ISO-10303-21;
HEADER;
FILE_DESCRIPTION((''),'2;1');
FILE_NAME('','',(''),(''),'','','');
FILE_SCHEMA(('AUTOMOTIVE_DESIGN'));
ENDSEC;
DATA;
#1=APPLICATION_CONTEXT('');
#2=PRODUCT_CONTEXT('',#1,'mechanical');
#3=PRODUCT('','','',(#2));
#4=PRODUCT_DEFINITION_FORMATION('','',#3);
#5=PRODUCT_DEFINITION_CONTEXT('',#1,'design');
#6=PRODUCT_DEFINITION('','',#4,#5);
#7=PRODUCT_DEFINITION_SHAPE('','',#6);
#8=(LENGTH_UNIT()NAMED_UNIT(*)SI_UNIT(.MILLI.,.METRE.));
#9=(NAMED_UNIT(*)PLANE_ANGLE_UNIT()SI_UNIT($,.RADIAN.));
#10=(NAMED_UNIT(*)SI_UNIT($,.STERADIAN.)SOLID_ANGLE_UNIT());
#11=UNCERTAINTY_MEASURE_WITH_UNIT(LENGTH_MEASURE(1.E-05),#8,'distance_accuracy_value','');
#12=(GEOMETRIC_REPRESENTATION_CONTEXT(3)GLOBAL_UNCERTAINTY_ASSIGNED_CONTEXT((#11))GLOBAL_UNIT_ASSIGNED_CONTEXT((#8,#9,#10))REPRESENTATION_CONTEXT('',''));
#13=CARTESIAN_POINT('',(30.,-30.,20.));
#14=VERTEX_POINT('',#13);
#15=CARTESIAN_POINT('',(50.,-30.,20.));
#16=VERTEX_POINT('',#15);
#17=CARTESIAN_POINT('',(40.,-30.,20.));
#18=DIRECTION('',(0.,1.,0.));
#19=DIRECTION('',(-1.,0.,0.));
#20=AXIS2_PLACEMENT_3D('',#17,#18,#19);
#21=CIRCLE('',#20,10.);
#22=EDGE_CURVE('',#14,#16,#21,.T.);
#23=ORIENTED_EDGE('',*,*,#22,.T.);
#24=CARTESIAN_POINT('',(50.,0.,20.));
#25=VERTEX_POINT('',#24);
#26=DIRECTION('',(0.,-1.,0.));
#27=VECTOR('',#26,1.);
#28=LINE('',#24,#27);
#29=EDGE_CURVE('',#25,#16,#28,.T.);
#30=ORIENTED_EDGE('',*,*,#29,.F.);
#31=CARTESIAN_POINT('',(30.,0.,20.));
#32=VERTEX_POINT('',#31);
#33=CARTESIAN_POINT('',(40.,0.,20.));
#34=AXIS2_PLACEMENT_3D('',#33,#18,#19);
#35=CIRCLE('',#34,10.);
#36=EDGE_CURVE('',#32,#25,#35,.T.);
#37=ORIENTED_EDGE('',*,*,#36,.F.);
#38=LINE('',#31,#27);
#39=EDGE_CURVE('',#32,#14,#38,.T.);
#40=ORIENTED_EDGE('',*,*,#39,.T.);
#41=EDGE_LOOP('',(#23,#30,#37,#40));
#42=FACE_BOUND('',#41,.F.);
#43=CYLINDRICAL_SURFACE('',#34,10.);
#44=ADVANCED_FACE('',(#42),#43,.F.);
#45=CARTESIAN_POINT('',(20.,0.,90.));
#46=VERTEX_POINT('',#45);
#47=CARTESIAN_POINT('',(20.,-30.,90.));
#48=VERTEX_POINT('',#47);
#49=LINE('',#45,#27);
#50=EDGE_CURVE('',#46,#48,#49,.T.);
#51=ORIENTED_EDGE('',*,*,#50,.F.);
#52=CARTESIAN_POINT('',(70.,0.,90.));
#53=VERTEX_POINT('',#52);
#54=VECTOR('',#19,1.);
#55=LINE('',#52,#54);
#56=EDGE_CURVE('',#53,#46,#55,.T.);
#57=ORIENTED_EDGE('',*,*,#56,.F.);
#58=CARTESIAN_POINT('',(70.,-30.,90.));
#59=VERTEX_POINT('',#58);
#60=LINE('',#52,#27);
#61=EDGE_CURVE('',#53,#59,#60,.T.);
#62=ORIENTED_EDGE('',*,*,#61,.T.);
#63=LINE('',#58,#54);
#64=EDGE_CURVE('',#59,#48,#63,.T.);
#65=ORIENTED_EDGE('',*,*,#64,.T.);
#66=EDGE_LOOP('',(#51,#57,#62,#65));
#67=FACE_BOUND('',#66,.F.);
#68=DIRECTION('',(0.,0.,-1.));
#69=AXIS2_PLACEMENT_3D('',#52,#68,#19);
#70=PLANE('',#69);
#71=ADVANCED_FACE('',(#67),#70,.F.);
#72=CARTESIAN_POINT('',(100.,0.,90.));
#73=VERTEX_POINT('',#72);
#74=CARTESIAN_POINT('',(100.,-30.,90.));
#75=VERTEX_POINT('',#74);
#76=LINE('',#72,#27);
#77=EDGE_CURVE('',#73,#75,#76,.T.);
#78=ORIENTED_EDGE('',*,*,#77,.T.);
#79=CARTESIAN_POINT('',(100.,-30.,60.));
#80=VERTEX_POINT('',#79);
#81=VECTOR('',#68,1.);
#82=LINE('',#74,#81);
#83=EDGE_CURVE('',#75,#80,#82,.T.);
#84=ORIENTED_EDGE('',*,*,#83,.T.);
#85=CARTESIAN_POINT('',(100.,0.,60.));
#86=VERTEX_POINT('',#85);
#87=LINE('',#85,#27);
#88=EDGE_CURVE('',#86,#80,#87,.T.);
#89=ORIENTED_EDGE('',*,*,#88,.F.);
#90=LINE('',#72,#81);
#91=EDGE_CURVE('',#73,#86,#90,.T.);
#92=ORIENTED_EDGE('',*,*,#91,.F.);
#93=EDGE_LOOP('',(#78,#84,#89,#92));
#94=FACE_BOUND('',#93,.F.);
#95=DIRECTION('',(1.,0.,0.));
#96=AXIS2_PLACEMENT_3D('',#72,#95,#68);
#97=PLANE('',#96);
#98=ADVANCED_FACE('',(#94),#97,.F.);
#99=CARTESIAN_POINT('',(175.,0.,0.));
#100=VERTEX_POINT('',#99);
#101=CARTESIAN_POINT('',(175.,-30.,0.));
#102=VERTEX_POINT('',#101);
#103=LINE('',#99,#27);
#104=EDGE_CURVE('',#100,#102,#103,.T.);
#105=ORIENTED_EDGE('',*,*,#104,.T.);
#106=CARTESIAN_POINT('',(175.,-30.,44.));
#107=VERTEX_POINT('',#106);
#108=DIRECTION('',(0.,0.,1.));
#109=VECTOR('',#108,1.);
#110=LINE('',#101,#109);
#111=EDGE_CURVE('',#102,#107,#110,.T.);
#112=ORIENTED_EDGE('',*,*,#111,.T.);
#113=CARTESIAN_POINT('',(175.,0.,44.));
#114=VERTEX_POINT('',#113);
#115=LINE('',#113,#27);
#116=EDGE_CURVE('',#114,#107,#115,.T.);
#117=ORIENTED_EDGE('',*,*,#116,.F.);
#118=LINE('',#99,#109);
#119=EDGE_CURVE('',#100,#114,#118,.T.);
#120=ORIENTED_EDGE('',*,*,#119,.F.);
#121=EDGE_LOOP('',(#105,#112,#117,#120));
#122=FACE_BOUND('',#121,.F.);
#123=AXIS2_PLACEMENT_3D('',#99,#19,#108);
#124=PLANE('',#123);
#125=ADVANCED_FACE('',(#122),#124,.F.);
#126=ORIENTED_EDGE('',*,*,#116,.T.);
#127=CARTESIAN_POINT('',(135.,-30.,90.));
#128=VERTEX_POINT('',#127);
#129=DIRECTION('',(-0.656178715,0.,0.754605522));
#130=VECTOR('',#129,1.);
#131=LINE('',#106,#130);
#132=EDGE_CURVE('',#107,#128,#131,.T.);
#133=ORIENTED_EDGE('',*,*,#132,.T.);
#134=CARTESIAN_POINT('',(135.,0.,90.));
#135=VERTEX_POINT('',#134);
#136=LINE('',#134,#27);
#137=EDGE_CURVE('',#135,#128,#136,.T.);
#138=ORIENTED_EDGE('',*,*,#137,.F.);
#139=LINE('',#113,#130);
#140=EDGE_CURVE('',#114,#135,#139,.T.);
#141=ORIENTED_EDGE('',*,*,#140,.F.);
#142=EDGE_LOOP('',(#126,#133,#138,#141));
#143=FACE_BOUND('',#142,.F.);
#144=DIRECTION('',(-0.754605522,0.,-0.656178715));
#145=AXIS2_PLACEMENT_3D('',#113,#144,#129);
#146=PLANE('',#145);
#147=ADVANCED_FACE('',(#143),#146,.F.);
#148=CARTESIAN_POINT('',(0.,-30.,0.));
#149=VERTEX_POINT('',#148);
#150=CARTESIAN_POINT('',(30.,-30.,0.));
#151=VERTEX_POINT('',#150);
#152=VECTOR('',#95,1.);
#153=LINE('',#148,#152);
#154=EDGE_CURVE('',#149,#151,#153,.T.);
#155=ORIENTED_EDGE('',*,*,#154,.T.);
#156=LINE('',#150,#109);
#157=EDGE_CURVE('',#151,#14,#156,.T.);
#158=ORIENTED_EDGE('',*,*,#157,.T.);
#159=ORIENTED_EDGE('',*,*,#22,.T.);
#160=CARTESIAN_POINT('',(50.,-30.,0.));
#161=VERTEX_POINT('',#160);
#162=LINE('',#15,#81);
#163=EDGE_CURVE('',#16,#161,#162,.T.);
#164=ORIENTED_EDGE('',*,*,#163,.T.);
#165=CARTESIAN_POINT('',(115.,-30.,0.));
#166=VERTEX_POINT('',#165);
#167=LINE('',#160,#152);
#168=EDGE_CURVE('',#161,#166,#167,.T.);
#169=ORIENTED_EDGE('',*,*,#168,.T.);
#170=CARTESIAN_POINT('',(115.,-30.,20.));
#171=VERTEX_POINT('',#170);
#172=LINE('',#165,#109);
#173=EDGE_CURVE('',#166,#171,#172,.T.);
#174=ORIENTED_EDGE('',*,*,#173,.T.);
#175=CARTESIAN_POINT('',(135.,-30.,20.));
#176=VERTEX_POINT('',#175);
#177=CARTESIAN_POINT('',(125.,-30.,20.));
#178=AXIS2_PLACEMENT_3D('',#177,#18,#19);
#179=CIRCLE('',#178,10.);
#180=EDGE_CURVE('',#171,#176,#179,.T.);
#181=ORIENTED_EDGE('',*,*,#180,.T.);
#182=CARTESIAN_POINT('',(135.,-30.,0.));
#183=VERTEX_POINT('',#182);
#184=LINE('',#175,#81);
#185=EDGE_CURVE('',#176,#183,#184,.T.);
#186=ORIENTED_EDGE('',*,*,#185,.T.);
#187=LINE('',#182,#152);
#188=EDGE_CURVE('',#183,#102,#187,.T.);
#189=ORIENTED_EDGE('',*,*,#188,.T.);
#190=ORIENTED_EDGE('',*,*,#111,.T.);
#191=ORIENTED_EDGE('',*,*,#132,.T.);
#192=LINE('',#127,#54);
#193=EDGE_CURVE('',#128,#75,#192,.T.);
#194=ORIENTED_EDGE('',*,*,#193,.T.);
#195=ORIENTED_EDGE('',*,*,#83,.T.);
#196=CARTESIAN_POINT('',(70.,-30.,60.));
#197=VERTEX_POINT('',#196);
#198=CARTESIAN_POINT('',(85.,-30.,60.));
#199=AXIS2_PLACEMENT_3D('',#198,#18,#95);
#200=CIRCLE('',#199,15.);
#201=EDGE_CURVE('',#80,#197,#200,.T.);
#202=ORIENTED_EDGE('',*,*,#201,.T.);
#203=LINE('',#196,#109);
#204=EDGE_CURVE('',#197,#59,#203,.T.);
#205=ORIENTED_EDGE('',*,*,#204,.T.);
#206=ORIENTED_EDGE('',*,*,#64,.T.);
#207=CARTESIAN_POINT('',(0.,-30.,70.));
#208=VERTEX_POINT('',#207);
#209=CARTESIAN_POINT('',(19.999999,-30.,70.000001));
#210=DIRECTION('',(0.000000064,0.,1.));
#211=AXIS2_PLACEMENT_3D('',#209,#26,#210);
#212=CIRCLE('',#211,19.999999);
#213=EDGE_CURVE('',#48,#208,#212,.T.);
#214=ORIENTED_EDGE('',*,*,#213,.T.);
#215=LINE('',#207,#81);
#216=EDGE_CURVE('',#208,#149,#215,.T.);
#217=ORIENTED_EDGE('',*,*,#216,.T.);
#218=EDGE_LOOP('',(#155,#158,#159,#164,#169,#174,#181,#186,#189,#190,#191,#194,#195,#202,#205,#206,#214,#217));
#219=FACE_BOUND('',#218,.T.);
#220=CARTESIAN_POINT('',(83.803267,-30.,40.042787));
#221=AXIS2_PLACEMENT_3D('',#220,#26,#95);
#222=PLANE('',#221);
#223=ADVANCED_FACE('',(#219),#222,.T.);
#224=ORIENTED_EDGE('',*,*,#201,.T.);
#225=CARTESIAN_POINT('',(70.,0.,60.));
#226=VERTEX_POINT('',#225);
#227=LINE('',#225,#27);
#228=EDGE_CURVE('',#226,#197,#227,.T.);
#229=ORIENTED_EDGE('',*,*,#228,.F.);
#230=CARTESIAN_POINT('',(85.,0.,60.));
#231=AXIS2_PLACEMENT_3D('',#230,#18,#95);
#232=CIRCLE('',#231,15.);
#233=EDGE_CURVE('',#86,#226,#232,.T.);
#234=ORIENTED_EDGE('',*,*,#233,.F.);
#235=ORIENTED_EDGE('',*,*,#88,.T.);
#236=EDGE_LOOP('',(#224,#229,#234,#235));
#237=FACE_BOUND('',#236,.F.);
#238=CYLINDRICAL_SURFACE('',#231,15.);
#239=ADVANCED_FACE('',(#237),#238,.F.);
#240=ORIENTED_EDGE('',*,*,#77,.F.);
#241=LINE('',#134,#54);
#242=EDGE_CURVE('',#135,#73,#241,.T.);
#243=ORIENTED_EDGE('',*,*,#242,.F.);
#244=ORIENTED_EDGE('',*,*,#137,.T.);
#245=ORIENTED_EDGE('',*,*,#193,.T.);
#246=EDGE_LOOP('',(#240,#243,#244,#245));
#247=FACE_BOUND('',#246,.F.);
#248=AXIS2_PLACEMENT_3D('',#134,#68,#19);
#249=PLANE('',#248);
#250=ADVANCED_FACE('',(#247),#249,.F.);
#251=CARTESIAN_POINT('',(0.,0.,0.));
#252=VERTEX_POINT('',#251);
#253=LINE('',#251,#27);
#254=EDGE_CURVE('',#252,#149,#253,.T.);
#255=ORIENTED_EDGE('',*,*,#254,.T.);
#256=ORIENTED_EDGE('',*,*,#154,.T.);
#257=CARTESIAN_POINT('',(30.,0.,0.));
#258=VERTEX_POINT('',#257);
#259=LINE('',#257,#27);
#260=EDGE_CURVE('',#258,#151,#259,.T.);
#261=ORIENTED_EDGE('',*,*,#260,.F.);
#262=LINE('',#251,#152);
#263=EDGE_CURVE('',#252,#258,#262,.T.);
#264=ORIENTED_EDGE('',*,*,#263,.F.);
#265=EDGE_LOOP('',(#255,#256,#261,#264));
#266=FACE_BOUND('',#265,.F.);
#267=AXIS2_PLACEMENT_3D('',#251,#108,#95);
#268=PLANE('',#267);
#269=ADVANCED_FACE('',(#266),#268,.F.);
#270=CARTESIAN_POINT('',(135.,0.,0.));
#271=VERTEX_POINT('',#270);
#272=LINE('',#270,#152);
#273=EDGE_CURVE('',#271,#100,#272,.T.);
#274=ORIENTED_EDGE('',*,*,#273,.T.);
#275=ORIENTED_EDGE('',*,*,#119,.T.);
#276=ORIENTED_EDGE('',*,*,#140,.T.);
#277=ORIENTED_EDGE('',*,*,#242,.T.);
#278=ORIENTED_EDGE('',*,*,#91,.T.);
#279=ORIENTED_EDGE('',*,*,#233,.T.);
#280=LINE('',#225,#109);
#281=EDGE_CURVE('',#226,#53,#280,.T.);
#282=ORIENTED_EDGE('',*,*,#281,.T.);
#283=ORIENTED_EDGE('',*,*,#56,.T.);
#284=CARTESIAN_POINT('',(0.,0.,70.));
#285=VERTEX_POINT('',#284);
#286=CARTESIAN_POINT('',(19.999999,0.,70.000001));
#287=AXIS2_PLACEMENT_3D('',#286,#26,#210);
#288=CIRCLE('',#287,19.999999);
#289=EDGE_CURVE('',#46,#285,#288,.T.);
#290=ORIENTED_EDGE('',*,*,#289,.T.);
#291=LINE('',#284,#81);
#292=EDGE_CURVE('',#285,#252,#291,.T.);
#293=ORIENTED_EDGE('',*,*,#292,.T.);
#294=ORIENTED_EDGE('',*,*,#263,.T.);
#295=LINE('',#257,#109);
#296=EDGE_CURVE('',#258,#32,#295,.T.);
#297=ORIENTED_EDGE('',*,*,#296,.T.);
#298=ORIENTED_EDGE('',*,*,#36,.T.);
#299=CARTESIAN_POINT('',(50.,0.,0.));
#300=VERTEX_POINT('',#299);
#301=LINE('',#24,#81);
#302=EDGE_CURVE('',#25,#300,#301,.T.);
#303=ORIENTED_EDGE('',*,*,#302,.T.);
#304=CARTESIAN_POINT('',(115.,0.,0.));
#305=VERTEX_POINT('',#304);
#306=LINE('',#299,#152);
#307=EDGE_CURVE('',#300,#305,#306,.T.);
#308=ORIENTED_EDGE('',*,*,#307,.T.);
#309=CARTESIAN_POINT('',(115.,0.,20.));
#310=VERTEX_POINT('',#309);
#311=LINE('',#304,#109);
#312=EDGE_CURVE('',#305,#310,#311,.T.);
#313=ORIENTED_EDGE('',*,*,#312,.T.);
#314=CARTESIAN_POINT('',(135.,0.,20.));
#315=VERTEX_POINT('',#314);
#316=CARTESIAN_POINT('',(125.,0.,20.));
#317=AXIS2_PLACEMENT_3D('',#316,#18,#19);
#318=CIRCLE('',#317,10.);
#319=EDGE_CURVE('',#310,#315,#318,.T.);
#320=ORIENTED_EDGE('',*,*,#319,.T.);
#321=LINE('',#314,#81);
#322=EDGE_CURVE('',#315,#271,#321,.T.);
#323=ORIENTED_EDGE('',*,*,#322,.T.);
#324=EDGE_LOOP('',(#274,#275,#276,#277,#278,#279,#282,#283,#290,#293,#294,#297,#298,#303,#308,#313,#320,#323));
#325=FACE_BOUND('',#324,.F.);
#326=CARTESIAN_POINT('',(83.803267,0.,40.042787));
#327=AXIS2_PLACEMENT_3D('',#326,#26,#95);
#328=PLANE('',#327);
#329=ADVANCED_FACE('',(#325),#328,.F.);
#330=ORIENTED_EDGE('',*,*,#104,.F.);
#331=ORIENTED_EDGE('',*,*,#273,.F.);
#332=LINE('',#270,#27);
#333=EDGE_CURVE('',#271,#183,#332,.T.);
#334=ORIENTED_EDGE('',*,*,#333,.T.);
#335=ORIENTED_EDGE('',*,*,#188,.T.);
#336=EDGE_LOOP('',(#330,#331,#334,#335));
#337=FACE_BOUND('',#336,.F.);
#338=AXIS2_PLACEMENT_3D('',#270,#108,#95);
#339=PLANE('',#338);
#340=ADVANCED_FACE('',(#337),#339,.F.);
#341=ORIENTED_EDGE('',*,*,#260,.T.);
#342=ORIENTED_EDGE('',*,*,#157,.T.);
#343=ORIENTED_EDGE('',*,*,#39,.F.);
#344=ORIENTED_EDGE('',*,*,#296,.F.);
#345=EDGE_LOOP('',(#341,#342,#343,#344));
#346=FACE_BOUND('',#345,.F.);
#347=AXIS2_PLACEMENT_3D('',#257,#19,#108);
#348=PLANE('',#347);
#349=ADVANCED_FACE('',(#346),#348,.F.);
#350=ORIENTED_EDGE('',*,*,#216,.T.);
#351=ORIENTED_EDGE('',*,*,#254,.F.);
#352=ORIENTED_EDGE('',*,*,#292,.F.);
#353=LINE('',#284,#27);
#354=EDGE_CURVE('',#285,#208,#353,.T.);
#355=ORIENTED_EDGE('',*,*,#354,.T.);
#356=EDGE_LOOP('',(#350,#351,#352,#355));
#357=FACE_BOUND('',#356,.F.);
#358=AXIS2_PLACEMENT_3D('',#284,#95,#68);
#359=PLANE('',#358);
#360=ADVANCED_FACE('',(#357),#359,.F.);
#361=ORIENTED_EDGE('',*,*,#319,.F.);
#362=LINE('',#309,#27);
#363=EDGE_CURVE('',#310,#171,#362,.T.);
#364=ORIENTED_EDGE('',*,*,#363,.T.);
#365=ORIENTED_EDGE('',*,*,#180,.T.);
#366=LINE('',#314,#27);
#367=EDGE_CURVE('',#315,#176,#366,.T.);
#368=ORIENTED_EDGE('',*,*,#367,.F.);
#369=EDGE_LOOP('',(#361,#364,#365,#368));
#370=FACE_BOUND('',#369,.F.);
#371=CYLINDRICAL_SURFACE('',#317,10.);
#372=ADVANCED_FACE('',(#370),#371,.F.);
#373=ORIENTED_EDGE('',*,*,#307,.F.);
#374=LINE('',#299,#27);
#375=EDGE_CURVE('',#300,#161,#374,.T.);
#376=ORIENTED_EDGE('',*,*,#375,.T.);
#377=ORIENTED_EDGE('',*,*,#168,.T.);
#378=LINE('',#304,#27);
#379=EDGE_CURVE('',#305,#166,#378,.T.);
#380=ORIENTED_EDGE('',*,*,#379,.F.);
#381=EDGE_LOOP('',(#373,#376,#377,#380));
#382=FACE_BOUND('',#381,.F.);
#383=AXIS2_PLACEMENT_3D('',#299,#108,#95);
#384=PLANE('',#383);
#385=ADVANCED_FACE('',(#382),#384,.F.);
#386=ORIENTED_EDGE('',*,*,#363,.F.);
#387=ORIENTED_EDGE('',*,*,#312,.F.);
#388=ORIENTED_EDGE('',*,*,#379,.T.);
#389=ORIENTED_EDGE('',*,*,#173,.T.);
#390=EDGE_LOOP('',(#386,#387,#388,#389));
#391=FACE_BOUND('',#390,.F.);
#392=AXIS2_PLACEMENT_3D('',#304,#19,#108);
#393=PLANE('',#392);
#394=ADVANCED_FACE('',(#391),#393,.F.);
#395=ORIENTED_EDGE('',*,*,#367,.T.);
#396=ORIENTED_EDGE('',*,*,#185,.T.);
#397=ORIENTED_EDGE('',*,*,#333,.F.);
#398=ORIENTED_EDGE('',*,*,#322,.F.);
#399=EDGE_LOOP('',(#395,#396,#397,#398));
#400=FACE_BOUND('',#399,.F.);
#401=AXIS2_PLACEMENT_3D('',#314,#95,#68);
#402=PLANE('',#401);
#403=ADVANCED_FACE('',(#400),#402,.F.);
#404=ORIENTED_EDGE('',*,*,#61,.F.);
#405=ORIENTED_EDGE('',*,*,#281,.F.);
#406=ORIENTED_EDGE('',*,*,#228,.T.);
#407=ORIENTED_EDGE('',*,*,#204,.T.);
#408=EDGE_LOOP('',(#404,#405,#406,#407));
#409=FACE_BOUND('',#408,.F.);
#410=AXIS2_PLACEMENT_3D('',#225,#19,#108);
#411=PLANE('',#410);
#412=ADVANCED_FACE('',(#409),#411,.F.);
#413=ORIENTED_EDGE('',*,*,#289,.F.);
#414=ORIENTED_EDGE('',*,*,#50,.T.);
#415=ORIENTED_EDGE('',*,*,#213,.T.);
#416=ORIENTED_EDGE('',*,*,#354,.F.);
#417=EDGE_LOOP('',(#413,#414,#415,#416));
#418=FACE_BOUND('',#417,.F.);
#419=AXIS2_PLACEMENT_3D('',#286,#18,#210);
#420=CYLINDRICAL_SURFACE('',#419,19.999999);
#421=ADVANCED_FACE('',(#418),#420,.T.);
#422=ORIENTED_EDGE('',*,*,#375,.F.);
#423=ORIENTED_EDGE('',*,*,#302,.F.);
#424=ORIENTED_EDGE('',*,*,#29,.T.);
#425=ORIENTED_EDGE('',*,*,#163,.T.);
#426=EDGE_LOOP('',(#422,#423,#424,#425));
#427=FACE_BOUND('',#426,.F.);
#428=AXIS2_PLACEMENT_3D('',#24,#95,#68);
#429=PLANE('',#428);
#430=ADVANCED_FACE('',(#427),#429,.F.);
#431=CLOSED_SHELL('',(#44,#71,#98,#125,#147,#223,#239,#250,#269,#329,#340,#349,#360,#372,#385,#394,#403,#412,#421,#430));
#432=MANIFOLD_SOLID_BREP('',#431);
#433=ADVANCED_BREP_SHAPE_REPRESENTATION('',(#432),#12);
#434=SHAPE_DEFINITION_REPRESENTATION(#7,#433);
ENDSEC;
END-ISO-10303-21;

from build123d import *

# Parameters (mm, degrees)
F1_DEPTH = 30


with BuildPart() as f1:
    # F0 (on Front) → F1 (new body)
    with BuildSketch(Plane.XZ):
        with BuildLine():
            Line((0, 70), (0, 0))
            Line((0, 0), (30, 0))
            Line((30, 0), (30, 20))
            ThreePointArc((30, 20), (40, 30), (50, 20))
            Line((50, 20), (50, 0))
            Line((50, 0), (115, 0))
            Line((115, 0), (115, 20))
            ThreePointArc((115, 20), (125, 30), (135, 20))
            Line((135, 20), (135, 0))
            Line((135, 0), (175, 0))
            Line((175, 0), (175, 44))
            Line((175, 44), (135, 90))
            Line((135, 90), (100, 90))
            Line((100, 90), (100, 60))
            ThreePointArc((100, 60), (85, 45), (70, 60))
            Line((70, 60), (70, 90))
            Line((70, 90), (20, 90))
            ThreePointArc((20, 90), (5.857864, 84.142136), (0, 70))
        make_face()
    extrude(amount=F1_DEPTH)


solid = f1.part
